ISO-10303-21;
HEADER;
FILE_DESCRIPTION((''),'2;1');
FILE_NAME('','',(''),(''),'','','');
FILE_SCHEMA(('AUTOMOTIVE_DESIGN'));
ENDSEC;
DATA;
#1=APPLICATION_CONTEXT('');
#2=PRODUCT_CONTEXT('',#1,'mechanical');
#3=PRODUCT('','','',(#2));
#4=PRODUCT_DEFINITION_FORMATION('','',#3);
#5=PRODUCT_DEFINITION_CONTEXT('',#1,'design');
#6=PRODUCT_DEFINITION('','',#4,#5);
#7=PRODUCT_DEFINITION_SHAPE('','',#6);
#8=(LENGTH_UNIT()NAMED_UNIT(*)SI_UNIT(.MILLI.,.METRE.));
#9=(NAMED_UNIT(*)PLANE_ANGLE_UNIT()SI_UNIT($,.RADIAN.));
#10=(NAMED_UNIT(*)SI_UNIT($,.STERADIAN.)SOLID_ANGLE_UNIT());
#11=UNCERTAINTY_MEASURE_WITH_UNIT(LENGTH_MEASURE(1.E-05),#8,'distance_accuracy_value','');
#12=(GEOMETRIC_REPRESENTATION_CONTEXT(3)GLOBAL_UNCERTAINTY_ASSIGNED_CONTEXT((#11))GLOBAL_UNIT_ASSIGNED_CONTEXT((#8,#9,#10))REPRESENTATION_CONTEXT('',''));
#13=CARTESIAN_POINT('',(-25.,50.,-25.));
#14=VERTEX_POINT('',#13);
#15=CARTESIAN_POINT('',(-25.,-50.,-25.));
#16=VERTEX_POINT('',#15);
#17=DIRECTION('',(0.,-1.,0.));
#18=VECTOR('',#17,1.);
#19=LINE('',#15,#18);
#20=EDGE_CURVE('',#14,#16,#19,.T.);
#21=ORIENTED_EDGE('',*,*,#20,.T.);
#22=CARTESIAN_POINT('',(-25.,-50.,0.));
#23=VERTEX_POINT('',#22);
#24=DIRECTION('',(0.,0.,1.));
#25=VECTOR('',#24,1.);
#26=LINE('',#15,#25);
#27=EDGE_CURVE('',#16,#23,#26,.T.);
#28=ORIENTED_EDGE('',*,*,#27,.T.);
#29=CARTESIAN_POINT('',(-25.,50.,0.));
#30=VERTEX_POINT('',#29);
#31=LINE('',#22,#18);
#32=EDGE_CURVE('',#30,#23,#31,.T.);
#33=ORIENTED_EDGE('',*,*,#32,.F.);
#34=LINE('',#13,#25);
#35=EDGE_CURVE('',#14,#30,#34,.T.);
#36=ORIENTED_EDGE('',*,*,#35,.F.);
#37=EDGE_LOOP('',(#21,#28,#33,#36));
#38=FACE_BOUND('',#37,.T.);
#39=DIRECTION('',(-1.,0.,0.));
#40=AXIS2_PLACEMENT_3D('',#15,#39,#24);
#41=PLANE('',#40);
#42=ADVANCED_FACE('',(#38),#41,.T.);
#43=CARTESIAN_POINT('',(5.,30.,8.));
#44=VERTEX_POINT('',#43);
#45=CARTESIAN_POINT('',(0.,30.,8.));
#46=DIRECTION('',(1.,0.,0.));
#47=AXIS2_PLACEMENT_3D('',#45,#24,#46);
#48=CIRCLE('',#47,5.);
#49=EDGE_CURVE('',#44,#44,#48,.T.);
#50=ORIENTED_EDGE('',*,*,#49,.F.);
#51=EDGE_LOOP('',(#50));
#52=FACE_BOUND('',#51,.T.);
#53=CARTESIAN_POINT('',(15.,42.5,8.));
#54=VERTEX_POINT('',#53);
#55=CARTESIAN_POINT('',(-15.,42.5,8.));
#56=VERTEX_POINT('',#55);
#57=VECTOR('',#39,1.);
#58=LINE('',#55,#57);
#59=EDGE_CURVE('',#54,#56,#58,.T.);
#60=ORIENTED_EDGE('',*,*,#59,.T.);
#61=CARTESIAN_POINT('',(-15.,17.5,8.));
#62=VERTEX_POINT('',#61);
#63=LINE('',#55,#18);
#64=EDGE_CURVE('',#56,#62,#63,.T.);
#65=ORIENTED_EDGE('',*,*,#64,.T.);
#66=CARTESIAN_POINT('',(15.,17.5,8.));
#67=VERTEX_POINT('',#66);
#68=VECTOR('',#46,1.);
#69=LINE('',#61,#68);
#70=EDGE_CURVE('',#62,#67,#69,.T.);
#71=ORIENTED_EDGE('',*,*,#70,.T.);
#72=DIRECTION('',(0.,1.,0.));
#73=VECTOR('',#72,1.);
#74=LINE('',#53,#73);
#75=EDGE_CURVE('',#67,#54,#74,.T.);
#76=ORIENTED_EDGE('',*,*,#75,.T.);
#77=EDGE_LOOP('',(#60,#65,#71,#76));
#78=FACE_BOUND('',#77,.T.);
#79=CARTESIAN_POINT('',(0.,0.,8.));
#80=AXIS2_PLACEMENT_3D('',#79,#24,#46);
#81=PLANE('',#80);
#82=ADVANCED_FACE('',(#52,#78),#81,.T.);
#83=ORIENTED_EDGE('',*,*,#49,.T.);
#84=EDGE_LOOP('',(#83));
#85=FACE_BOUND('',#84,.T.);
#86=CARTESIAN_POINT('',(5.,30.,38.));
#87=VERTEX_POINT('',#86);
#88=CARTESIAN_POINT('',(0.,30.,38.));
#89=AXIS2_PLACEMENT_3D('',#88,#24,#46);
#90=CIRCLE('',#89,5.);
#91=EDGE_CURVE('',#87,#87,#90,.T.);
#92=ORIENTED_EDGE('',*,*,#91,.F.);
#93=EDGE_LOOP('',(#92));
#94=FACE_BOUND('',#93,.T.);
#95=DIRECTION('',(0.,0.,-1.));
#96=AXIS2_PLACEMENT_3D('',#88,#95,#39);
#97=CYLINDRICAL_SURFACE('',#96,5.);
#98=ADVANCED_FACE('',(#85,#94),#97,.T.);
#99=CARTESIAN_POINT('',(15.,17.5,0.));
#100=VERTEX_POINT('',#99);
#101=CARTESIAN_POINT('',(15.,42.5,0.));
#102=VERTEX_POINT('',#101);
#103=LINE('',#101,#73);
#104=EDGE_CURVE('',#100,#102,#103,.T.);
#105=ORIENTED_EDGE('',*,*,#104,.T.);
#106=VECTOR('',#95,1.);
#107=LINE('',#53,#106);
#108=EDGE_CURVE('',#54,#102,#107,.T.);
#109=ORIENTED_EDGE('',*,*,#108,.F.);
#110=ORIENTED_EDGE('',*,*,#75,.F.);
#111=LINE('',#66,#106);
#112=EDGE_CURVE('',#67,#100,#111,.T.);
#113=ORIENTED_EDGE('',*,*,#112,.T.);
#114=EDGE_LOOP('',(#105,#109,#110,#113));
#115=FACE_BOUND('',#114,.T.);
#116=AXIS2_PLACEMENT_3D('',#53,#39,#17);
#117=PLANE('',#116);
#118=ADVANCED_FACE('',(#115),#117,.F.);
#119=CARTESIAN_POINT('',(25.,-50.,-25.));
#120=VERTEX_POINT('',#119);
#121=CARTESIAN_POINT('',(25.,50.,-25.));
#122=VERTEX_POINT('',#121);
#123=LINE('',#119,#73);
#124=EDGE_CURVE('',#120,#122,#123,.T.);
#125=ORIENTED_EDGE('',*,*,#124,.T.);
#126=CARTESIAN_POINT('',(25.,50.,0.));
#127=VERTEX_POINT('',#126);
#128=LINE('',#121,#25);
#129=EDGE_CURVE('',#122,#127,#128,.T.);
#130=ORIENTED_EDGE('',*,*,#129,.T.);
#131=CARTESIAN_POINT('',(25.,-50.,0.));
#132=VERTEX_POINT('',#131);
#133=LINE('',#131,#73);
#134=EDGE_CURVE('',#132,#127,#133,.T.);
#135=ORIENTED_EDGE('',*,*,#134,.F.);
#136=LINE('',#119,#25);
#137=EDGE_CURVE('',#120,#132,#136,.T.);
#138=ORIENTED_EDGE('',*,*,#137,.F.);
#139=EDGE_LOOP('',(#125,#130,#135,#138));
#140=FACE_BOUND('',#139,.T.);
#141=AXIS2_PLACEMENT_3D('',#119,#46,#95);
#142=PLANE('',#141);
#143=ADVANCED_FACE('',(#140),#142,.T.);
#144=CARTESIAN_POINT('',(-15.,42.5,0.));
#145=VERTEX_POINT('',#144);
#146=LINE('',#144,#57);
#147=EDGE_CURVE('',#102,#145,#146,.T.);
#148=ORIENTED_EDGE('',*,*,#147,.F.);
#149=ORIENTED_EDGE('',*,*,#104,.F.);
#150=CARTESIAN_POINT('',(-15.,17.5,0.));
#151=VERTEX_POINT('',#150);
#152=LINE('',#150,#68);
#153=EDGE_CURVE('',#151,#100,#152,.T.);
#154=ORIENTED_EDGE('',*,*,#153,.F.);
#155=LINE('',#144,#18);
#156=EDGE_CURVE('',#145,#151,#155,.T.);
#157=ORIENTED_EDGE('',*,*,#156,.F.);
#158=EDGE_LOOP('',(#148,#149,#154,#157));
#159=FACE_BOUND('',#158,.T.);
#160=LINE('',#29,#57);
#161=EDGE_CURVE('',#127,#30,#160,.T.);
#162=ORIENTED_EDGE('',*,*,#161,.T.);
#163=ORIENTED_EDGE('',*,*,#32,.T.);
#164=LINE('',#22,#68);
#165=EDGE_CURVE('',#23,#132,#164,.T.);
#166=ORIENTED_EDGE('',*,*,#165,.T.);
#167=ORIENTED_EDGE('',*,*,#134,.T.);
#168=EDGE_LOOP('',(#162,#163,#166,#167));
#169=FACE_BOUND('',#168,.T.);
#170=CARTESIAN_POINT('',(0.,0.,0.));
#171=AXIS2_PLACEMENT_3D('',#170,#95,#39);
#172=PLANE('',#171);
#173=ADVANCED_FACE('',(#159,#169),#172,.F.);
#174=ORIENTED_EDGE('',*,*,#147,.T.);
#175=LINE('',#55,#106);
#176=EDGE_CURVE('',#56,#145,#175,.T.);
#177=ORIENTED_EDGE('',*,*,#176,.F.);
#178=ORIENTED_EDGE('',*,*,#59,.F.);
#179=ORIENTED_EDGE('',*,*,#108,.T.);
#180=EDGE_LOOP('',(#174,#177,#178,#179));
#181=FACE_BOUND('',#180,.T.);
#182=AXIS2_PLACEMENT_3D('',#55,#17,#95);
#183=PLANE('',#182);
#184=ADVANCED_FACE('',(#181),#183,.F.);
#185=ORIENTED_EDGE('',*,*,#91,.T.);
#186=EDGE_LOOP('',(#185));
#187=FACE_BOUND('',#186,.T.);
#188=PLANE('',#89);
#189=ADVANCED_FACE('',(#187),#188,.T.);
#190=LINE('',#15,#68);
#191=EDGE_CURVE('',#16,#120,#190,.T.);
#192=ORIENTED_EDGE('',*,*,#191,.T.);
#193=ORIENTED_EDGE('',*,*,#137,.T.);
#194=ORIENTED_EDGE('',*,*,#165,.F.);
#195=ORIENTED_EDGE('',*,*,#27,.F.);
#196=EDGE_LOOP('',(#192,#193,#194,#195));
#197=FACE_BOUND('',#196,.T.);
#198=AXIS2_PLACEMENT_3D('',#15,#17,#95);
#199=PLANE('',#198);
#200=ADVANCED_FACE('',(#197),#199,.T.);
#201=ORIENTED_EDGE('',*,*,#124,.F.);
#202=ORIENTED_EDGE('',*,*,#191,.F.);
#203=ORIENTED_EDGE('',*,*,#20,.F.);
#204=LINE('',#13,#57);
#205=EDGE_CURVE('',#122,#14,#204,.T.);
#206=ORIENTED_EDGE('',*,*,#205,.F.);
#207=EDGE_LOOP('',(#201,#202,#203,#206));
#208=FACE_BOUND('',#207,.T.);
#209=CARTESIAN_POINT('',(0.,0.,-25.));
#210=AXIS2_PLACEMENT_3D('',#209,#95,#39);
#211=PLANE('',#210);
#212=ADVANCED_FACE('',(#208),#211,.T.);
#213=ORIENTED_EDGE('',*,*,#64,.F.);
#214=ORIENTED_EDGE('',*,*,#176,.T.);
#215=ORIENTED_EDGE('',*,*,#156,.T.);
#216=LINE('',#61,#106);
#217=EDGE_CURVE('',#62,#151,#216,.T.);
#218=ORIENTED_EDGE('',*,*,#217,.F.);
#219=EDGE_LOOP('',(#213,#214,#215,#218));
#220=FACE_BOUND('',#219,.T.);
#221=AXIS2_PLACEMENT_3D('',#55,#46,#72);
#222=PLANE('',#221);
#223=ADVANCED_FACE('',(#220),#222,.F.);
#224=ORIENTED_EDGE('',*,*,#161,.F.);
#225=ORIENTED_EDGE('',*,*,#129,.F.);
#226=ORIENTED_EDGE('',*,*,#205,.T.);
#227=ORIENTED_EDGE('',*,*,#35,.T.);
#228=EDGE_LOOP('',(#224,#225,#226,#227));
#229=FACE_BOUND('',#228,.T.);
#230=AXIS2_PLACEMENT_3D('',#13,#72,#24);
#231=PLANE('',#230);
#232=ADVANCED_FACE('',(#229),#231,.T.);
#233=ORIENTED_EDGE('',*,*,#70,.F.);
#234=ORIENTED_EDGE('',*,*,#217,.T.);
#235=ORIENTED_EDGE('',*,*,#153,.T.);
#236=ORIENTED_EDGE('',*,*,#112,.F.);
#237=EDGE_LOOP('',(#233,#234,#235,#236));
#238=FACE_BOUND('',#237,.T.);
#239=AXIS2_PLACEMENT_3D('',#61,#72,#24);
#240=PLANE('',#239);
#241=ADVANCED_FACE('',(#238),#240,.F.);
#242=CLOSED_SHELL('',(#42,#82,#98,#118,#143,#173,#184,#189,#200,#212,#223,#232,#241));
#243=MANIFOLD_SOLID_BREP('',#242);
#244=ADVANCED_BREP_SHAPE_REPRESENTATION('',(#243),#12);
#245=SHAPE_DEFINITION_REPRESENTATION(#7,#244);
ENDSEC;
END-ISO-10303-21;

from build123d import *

# Parameters (mm, degrees)
SKETCH2_W           = 50
SKETCH2_H           = 100
BOSS_EXTRUDE1_DEPTH = 25
SKETCH5_W           = 30
SKETCH5_H           = 25
BOSS_EXTRUDE3_DEPTH = 8
SKETCH6_R           = 5
BOSS_EXTRUDE4_DEPTH = 30


with BuildPart() as part:
    # Sketch2 → Boss-Extrude1 (new body)
    with BuildSketch(Plane.XY):
        Rectangle(SKETCH2_W, SKETCH2_H)
    extrude(amount=-BOSS_EXTRUDE1_DEPTH)

    # Sketch5 → Boss-Extrude3 (add)
    with BuildSketch(Plane.XY):
        with Locations((0, 30)):
            Rectangle(SKETCH5_W, SKETCH5_H)
    extrude(amount=BOSS_EXTRUDE3_DEPTH)

    # Sketch6 → Boss-Extrude4 (add)
    with BuildSketch(Plane.XY.offset(8)):
        with Locations((0, 30)):
            Circle(SKETCH6_R)
    extrude(amount=BOSS_EXTRUDE4_DEPTH)


solid = part.part
